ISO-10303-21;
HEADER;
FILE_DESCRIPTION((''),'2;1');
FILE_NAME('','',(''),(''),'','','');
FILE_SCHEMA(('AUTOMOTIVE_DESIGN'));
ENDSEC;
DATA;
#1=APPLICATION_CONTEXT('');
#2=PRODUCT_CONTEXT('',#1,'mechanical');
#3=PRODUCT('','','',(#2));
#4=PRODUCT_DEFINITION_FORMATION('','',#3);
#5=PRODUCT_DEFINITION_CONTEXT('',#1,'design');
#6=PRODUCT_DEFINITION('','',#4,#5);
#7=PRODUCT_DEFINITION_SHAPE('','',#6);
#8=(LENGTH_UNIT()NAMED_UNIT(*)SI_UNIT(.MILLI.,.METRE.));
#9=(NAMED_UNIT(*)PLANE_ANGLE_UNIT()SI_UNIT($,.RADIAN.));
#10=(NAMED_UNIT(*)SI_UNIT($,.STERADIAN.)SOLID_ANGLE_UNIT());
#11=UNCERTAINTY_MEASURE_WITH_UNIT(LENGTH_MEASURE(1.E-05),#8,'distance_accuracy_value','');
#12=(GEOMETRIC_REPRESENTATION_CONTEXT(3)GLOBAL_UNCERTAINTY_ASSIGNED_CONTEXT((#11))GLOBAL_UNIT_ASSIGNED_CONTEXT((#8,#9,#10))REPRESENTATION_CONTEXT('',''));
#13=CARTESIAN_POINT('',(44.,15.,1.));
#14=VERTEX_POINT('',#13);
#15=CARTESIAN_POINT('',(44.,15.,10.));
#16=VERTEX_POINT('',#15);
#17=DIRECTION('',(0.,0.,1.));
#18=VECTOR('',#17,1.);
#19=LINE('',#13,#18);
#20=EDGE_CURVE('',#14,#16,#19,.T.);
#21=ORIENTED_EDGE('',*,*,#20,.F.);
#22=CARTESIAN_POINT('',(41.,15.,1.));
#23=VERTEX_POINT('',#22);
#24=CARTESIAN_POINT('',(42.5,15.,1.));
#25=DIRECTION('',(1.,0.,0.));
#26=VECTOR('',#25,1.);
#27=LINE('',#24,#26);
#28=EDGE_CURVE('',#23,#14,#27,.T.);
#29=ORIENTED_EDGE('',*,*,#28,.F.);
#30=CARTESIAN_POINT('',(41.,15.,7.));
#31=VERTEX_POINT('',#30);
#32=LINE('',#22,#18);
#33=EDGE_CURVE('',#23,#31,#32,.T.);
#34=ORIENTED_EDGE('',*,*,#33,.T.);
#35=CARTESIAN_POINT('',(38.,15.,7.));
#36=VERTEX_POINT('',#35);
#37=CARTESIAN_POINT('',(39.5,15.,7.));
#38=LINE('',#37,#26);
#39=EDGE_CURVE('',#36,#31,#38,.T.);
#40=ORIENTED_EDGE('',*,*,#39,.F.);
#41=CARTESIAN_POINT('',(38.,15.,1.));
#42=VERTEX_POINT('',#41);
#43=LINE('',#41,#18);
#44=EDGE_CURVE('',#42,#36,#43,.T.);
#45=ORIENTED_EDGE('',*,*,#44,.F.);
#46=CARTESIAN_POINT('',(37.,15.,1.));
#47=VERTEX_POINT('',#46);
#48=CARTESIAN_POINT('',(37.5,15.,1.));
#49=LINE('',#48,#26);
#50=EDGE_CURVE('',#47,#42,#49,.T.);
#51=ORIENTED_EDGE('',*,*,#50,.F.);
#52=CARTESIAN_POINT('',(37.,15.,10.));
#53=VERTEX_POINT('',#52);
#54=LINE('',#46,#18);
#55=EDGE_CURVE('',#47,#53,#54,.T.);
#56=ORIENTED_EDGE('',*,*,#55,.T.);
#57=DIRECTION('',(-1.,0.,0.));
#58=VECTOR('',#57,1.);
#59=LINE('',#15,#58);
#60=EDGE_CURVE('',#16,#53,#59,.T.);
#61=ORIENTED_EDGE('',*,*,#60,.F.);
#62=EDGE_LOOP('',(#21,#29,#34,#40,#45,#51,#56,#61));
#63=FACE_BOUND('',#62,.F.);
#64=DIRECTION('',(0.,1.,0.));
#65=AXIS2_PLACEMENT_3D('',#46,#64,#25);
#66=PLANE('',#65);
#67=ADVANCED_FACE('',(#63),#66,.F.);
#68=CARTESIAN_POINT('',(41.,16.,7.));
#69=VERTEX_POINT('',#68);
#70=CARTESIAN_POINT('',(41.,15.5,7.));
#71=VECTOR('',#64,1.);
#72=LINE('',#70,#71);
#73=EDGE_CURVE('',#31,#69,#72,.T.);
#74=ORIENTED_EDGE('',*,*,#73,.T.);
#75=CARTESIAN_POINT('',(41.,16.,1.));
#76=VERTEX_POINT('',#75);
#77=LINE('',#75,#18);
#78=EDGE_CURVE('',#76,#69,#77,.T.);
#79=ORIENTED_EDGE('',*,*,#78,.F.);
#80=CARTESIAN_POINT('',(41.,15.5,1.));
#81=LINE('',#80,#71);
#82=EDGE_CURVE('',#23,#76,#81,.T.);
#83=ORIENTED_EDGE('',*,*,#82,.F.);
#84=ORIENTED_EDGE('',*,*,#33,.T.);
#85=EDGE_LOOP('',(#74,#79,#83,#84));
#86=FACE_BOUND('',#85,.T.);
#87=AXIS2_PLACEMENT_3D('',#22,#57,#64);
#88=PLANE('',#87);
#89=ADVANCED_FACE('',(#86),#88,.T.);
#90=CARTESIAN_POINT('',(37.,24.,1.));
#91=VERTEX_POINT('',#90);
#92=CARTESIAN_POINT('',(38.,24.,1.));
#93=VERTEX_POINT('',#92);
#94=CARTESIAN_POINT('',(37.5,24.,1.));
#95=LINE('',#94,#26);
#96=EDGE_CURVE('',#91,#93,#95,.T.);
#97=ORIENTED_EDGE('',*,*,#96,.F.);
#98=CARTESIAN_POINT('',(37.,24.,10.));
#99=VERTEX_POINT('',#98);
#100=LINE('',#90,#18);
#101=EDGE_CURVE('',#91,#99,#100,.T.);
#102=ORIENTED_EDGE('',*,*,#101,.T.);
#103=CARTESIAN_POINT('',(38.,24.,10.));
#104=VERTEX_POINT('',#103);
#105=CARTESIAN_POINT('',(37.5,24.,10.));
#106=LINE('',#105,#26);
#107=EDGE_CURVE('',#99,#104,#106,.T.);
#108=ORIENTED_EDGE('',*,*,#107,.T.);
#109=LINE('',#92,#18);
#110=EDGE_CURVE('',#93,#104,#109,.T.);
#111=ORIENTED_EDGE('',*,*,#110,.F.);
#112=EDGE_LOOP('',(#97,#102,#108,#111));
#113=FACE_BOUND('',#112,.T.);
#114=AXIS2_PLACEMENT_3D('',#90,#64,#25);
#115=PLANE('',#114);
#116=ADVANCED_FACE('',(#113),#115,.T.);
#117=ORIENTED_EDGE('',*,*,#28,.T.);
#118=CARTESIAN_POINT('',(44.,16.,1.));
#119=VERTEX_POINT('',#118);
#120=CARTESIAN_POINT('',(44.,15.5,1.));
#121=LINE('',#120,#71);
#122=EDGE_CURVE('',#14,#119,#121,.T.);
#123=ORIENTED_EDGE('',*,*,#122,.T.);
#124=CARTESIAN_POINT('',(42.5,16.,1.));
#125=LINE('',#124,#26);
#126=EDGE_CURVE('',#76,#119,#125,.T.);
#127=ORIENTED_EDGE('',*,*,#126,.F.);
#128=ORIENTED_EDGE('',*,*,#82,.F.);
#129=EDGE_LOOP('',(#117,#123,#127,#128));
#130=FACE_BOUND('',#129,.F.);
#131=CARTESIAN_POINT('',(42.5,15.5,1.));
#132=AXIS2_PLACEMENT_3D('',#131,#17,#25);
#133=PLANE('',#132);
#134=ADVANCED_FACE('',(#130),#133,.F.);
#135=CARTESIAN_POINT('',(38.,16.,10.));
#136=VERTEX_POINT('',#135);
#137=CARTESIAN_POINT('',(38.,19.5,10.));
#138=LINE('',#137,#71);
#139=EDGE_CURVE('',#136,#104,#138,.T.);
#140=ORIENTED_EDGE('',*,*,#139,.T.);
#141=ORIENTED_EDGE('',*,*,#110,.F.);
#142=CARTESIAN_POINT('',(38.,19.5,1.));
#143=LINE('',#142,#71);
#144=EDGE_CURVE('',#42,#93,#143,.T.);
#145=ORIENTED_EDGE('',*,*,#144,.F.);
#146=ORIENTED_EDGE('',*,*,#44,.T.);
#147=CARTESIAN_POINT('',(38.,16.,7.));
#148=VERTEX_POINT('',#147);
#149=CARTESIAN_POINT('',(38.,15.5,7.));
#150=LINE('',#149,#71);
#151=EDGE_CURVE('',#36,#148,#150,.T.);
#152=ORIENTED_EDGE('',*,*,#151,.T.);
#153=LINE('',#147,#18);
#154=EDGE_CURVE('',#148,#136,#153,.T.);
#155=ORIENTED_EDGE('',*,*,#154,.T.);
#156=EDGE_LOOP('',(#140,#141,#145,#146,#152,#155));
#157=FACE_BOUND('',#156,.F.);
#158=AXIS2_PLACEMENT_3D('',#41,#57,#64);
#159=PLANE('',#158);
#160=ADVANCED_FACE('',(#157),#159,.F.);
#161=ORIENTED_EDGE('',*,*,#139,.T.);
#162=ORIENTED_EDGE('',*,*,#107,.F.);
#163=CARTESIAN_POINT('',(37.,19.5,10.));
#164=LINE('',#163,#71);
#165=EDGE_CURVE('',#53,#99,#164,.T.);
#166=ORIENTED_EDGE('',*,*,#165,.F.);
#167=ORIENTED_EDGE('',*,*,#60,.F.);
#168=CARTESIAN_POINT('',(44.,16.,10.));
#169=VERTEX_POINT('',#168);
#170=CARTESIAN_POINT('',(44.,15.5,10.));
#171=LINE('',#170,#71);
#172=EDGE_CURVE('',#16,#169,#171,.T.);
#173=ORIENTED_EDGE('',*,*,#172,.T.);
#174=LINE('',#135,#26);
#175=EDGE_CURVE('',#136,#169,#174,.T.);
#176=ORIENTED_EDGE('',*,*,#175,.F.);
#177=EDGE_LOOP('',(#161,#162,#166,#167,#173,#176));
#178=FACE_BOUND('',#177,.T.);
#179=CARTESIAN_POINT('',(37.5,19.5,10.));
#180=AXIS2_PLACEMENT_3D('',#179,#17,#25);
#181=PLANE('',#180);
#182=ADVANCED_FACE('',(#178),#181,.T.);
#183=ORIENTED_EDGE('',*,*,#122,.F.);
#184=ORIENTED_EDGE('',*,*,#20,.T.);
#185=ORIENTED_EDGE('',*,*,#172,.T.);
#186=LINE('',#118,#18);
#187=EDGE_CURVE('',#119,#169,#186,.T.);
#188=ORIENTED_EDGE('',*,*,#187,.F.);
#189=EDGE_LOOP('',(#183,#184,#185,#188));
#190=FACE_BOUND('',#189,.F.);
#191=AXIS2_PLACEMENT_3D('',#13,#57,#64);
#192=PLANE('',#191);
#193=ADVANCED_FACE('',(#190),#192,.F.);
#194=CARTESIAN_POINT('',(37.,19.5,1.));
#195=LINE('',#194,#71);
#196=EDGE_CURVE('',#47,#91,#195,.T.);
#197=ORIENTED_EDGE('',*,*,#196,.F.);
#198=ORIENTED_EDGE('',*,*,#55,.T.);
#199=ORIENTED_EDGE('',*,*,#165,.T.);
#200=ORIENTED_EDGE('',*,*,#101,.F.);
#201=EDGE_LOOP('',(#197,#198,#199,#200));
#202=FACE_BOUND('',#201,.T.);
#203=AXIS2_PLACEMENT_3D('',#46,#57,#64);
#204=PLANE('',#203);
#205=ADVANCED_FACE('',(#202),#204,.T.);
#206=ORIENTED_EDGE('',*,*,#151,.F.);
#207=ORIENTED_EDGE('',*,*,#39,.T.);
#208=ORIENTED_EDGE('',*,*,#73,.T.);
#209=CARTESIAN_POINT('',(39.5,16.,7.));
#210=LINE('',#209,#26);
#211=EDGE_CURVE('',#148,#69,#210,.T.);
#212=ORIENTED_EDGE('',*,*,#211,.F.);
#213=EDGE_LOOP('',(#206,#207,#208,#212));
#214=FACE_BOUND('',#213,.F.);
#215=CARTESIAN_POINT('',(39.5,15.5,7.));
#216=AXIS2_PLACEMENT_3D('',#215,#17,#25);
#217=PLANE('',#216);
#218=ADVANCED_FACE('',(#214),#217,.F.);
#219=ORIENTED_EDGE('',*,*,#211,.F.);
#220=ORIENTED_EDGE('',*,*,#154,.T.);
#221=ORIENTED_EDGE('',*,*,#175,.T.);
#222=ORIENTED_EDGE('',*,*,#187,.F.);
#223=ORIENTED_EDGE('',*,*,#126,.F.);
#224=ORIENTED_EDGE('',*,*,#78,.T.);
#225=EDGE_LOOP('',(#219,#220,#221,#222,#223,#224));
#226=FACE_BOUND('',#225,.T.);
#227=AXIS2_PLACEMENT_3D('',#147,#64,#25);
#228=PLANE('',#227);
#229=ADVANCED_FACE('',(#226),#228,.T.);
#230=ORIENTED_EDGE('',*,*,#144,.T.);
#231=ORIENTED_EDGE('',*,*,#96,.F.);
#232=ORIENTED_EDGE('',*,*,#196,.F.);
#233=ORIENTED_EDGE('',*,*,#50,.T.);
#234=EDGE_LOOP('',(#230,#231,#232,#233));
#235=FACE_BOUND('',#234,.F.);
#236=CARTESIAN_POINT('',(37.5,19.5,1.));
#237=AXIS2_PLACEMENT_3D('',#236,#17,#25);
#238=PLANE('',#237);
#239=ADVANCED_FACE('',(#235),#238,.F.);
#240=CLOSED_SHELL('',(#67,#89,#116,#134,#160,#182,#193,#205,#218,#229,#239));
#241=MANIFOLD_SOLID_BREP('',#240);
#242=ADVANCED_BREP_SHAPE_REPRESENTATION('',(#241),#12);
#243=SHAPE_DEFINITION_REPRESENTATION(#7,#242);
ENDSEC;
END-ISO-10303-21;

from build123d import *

# Parameters (mm, degrees)
BOX016_W     = 3
BOX016_H     = 1
BOX016_DEPTH = 3
BOX015_W     = 1
BOX015_H     = 9
BOX015_DEPTH = 9
BOX014_W     = 3
BOX014_H     = 1
BOX014_DEPTH = 9


with BuildPart() as box016:
    # Box016 → Box016 (new body)
    with BuildSketch(Plane(origin=(27, 15, 7), x_dir=(1, 0, 0), z_dir=(0, 0, 1))):
        with Locations((1.5, 0.5)):
            Rectangle(BOX016_W, BOX016_H)
    extrude(amount=BOX016_DEPTH)


with BuildPart() as box015:
    # Box015 → Box015 (new body)
    with BuildSketch(Plane(origin=(26, 15, 1), x_dir=(1, 0, 0), z_dir=(0, 0, 1))):
        with Locations((0.5, 4.5)):
            Rectangle(BOX015_W, BOX015_H)
    extrude(amount=BOX015_DEPTH)


with BuildPart() as fusion:
    # Box014 → Box014 (new body)
    with BuildSketch(Plane(origin=(30, 15, 1), x_dir=(1, 0, 0), z_dir=(0, 0, 1))):
        with Locations((1.5, 0.5)):
            Rectangle(BOX014_W, BOX014_H)
    extrude(amount=BOX014_DEPTH)

    # Fusion: union Box016, Box015
    add(box016.part)
    add(box015.part)


with BuildPart() as fusion_1:
    # Fusion placement: moved
    add(fusion.part.moved(Location((11, 0, 0))))


solid = fusion_1.part
